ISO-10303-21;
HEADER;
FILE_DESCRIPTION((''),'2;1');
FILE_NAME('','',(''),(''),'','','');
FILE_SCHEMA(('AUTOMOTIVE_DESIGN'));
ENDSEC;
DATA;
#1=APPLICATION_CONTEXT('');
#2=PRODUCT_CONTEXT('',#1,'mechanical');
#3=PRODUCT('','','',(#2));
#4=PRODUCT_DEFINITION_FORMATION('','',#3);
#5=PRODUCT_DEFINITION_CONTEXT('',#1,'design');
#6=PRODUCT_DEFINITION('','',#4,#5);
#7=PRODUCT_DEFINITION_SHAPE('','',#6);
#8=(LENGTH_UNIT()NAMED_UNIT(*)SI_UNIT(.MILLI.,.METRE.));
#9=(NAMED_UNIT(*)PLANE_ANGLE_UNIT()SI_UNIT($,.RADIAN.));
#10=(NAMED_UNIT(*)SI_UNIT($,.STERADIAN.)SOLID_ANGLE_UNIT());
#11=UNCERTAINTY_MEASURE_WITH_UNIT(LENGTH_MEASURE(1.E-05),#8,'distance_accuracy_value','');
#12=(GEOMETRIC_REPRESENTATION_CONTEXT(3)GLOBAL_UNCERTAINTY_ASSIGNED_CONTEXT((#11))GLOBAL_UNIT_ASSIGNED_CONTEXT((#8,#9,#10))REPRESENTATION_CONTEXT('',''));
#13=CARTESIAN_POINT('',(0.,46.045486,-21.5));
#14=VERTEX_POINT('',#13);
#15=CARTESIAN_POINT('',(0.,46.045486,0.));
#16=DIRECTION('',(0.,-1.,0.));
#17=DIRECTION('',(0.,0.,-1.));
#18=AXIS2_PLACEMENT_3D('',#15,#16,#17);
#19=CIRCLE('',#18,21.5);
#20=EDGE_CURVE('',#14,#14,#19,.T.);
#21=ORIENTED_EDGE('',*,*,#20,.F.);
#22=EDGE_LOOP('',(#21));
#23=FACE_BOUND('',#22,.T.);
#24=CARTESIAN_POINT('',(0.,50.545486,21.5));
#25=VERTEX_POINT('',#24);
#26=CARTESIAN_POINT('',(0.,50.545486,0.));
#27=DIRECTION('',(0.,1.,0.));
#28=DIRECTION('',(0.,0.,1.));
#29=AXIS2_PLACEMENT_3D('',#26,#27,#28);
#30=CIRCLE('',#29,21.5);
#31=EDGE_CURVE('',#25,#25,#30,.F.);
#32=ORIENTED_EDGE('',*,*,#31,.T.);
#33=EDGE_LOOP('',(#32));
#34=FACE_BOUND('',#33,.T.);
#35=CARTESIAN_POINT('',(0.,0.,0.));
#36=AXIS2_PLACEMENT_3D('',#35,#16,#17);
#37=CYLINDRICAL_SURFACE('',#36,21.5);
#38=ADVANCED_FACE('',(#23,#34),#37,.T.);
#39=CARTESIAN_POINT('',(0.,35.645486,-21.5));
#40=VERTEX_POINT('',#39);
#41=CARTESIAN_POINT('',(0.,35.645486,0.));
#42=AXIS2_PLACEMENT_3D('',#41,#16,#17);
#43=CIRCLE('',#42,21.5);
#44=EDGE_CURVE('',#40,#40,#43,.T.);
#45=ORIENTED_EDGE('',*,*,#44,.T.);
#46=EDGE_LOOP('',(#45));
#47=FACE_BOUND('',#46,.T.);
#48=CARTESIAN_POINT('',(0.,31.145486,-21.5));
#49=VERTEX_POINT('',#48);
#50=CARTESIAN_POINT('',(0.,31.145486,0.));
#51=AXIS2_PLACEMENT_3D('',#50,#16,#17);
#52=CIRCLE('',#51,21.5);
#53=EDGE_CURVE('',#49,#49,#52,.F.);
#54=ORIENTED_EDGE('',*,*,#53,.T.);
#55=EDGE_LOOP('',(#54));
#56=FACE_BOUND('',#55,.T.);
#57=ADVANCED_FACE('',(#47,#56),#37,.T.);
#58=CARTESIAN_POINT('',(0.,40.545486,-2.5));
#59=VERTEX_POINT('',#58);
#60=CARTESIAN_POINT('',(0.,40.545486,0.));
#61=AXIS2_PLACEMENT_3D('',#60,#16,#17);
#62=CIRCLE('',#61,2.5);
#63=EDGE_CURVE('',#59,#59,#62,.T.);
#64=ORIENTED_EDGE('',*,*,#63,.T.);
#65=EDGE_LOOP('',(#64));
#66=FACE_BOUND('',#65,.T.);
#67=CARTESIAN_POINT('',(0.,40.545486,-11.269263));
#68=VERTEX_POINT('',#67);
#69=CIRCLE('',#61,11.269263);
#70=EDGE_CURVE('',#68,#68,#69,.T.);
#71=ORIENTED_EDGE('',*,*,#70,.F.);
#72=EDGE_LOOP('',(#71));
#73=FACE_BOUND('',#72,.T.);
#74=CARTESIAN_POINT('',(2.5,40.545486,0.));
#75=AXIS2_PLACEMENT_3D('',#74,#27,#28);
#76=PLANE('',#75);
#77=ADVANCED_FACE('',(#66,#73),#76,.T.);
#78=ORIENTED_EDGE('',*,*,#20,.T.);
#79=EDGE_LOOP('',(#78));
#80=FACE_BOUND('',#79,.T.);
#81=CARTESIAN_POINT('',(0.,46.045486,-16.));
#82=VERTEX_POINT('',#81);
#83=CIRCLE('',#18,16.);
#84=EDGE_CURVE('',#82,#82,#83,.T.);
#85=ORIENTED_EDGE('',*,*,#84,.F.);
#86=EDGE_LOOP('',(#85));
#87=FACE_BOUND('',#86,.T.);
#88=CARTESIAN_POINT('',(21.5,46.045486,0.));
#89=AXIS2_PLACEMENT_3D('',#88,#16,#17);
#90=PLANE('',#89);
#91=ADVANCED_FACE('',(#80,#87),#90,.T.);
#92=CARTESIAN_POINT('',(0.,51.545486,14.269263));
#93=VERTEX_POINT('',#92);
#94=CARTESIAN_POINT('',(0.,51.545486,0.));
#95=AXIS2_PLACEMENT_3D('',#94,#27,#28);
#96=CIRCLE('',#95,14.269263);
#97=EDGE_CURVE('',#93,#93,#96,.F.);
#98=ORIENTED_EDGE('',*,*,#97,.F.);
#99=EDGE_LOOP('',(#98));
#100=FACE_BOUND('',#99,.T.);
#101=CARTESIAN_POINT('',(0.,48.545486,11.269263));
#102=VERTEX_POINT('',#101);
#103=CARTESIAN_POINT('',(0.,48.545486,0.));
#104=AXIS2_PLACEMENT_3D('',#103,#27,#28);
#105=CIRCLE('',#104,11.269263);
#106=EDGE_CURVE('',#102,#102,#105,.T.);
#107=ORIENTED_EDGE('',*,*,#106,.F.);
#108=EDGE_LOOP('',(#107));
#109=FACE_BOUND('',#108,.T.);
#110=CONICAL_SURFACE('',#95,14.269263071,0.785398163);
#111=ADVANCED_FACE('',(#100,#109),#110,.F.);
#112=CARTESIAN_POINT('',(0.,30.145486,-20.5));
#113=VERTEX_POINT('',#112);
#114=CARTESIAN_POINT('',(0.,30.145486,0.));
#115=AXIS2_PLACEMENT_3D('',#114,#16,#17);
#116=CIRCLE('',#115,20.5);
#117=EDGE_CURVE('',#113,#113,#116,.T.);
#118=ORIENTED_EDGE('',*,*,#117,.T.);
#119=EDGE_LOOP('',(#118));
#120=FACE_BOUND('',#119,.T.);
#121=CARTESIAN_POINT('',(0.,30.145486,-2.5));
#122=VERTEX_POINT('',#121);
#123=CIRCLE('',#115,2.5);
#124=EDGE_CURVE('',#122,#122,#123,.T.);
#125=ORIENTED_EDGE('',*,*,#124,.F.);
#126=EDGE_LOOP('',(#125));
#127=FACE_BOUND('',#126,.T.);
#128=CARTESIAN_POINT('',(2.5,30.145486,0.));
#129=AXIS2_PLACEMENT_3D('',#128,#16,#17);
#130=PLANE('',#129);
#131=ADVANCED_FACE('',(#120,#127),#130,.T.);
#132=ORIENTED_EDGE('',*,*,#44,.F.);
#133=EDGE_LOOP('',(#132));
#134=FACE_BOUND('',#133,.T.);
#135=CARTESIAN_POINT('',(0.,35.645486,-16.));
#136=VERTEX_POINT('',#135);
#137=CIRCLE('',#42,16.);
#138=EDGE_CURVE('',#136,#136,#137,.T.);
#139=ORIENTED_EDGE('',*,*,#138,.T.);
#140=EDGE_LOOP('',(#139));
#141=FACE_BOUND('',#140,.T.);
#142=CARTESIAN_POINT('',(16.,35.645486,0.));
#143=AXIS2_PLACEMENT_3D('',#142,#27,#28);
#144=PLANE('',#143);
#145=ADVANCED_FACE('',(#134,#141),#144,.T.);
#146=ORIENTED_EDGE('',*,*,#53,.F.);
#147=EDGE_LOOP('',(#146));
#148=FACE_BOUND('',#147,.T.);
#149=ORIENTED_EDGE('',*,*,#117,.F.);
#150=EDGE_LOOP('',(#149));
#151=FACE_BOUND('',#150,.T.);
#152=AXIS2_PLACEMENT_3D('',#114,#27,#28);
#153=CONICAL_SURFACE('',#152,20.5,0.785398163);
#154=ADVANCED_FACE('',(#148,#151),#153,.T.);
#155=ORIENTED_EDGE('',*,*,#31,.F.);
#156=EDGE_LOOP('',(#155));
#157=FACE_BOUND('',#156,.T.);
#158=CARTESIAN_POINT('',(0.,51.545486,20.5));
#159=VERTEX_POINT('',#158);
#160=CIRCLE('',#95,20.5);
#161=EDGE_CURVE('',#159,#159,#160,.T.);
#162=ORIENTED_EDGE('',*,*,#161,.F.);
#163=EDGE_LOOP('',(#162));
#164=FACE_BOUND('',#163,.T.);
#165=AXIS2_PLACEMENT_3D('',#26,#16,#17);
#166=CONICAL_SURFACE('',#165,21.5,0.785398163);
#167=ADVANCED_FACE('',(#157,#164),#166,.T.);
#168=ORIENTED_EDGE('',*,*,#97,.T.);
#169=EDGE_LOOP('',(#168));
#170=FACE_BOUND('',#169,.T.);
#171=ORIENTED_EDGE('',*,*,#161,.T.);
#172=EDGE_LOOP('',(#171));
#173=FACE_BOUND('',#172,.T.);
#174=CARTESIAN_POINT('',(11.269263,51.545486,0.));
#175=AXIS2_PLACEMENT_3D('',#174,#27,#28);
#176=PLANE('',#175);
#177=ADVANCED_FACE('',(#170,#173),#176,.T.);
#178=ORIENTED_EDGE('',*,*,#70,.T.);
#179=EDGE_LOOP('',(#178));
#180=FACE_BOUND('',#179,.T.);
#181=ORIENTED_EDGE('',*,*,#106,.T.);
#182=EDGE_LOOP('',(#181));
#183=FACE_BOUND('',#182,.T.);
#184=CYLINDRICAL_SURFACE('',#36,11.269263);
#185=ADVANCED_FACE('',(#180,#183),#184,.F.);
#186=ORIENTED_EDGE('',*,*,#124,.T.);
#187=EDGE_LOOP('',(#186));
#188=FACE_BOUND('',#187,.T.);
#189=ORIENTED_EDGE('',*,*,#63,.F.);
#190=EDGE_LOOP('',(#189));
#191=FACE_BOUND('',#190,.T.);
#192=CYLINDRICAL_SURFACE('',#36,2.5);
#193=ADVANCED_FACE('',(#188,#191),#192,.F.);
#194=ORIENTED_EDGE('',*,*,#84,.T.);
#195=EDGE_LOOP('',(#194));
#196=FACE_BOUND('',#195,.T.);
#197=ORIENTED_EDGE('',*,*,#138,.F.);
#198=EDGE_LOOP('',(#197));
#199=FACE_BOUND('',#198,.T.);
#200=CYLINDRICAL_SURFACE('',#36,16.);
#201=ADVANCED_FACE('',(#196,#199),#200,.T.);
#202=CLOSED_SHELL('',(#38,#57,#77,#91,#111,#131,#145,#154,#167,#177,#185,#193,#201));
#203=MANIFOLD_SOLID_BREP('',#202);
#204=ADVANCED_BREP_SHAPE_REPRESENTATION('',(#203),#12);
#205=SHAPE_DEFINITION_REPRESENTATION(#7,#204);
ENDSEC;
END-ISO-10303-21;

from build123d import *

# Parameters (mm, degrees)
CHAMFER1_SIZE = 3
CHAMFER2_SIZE = 1


with BuildPart() as part:
    # Sketch1 → Revolve1 (revolve)
    with BuildSketch(Plane.XY, mode=Mode.PRIVATE) as revolve1_sk:
        Polygon((2.5, 40.545486338), (11.269263071, 40.545486338), (11.269263071, 51.545486338), (21.5, 51.545486338), (21.5, 46.045486338), (16, 46.045486338), (16, 35.645486338), (21.5, 35.645486338), (21.5, 30.145486338), (2.5, 30.145486338), align=None)
    revolve(revolve1_sk.sketch.rotate(Axis((0, 0, 0), (0, 1, 0)), 90), axis=Axis((0, 0, 0), (0, 1, 0)))

    # Chamfer1
    chamfer1_edges = [part.edges().sort_by_distance(p)[0] for p in [
        (0, 51.545486338, 11.269263071),
    ]]
    chamfer(chamfer1_edges, length=CHAMFER1_SIZE)

    # Chamfer2
    chamfer2_edges = [part.edges().sort_by_distance(p)[0] for p in [
        (0, 30.145486338, 21.5),
        (0, 51.545486338, 21.5),
    ]]
    chamfer(chamfer2_edges, length=CHAMFER2_SIZE)


solid = part.part
